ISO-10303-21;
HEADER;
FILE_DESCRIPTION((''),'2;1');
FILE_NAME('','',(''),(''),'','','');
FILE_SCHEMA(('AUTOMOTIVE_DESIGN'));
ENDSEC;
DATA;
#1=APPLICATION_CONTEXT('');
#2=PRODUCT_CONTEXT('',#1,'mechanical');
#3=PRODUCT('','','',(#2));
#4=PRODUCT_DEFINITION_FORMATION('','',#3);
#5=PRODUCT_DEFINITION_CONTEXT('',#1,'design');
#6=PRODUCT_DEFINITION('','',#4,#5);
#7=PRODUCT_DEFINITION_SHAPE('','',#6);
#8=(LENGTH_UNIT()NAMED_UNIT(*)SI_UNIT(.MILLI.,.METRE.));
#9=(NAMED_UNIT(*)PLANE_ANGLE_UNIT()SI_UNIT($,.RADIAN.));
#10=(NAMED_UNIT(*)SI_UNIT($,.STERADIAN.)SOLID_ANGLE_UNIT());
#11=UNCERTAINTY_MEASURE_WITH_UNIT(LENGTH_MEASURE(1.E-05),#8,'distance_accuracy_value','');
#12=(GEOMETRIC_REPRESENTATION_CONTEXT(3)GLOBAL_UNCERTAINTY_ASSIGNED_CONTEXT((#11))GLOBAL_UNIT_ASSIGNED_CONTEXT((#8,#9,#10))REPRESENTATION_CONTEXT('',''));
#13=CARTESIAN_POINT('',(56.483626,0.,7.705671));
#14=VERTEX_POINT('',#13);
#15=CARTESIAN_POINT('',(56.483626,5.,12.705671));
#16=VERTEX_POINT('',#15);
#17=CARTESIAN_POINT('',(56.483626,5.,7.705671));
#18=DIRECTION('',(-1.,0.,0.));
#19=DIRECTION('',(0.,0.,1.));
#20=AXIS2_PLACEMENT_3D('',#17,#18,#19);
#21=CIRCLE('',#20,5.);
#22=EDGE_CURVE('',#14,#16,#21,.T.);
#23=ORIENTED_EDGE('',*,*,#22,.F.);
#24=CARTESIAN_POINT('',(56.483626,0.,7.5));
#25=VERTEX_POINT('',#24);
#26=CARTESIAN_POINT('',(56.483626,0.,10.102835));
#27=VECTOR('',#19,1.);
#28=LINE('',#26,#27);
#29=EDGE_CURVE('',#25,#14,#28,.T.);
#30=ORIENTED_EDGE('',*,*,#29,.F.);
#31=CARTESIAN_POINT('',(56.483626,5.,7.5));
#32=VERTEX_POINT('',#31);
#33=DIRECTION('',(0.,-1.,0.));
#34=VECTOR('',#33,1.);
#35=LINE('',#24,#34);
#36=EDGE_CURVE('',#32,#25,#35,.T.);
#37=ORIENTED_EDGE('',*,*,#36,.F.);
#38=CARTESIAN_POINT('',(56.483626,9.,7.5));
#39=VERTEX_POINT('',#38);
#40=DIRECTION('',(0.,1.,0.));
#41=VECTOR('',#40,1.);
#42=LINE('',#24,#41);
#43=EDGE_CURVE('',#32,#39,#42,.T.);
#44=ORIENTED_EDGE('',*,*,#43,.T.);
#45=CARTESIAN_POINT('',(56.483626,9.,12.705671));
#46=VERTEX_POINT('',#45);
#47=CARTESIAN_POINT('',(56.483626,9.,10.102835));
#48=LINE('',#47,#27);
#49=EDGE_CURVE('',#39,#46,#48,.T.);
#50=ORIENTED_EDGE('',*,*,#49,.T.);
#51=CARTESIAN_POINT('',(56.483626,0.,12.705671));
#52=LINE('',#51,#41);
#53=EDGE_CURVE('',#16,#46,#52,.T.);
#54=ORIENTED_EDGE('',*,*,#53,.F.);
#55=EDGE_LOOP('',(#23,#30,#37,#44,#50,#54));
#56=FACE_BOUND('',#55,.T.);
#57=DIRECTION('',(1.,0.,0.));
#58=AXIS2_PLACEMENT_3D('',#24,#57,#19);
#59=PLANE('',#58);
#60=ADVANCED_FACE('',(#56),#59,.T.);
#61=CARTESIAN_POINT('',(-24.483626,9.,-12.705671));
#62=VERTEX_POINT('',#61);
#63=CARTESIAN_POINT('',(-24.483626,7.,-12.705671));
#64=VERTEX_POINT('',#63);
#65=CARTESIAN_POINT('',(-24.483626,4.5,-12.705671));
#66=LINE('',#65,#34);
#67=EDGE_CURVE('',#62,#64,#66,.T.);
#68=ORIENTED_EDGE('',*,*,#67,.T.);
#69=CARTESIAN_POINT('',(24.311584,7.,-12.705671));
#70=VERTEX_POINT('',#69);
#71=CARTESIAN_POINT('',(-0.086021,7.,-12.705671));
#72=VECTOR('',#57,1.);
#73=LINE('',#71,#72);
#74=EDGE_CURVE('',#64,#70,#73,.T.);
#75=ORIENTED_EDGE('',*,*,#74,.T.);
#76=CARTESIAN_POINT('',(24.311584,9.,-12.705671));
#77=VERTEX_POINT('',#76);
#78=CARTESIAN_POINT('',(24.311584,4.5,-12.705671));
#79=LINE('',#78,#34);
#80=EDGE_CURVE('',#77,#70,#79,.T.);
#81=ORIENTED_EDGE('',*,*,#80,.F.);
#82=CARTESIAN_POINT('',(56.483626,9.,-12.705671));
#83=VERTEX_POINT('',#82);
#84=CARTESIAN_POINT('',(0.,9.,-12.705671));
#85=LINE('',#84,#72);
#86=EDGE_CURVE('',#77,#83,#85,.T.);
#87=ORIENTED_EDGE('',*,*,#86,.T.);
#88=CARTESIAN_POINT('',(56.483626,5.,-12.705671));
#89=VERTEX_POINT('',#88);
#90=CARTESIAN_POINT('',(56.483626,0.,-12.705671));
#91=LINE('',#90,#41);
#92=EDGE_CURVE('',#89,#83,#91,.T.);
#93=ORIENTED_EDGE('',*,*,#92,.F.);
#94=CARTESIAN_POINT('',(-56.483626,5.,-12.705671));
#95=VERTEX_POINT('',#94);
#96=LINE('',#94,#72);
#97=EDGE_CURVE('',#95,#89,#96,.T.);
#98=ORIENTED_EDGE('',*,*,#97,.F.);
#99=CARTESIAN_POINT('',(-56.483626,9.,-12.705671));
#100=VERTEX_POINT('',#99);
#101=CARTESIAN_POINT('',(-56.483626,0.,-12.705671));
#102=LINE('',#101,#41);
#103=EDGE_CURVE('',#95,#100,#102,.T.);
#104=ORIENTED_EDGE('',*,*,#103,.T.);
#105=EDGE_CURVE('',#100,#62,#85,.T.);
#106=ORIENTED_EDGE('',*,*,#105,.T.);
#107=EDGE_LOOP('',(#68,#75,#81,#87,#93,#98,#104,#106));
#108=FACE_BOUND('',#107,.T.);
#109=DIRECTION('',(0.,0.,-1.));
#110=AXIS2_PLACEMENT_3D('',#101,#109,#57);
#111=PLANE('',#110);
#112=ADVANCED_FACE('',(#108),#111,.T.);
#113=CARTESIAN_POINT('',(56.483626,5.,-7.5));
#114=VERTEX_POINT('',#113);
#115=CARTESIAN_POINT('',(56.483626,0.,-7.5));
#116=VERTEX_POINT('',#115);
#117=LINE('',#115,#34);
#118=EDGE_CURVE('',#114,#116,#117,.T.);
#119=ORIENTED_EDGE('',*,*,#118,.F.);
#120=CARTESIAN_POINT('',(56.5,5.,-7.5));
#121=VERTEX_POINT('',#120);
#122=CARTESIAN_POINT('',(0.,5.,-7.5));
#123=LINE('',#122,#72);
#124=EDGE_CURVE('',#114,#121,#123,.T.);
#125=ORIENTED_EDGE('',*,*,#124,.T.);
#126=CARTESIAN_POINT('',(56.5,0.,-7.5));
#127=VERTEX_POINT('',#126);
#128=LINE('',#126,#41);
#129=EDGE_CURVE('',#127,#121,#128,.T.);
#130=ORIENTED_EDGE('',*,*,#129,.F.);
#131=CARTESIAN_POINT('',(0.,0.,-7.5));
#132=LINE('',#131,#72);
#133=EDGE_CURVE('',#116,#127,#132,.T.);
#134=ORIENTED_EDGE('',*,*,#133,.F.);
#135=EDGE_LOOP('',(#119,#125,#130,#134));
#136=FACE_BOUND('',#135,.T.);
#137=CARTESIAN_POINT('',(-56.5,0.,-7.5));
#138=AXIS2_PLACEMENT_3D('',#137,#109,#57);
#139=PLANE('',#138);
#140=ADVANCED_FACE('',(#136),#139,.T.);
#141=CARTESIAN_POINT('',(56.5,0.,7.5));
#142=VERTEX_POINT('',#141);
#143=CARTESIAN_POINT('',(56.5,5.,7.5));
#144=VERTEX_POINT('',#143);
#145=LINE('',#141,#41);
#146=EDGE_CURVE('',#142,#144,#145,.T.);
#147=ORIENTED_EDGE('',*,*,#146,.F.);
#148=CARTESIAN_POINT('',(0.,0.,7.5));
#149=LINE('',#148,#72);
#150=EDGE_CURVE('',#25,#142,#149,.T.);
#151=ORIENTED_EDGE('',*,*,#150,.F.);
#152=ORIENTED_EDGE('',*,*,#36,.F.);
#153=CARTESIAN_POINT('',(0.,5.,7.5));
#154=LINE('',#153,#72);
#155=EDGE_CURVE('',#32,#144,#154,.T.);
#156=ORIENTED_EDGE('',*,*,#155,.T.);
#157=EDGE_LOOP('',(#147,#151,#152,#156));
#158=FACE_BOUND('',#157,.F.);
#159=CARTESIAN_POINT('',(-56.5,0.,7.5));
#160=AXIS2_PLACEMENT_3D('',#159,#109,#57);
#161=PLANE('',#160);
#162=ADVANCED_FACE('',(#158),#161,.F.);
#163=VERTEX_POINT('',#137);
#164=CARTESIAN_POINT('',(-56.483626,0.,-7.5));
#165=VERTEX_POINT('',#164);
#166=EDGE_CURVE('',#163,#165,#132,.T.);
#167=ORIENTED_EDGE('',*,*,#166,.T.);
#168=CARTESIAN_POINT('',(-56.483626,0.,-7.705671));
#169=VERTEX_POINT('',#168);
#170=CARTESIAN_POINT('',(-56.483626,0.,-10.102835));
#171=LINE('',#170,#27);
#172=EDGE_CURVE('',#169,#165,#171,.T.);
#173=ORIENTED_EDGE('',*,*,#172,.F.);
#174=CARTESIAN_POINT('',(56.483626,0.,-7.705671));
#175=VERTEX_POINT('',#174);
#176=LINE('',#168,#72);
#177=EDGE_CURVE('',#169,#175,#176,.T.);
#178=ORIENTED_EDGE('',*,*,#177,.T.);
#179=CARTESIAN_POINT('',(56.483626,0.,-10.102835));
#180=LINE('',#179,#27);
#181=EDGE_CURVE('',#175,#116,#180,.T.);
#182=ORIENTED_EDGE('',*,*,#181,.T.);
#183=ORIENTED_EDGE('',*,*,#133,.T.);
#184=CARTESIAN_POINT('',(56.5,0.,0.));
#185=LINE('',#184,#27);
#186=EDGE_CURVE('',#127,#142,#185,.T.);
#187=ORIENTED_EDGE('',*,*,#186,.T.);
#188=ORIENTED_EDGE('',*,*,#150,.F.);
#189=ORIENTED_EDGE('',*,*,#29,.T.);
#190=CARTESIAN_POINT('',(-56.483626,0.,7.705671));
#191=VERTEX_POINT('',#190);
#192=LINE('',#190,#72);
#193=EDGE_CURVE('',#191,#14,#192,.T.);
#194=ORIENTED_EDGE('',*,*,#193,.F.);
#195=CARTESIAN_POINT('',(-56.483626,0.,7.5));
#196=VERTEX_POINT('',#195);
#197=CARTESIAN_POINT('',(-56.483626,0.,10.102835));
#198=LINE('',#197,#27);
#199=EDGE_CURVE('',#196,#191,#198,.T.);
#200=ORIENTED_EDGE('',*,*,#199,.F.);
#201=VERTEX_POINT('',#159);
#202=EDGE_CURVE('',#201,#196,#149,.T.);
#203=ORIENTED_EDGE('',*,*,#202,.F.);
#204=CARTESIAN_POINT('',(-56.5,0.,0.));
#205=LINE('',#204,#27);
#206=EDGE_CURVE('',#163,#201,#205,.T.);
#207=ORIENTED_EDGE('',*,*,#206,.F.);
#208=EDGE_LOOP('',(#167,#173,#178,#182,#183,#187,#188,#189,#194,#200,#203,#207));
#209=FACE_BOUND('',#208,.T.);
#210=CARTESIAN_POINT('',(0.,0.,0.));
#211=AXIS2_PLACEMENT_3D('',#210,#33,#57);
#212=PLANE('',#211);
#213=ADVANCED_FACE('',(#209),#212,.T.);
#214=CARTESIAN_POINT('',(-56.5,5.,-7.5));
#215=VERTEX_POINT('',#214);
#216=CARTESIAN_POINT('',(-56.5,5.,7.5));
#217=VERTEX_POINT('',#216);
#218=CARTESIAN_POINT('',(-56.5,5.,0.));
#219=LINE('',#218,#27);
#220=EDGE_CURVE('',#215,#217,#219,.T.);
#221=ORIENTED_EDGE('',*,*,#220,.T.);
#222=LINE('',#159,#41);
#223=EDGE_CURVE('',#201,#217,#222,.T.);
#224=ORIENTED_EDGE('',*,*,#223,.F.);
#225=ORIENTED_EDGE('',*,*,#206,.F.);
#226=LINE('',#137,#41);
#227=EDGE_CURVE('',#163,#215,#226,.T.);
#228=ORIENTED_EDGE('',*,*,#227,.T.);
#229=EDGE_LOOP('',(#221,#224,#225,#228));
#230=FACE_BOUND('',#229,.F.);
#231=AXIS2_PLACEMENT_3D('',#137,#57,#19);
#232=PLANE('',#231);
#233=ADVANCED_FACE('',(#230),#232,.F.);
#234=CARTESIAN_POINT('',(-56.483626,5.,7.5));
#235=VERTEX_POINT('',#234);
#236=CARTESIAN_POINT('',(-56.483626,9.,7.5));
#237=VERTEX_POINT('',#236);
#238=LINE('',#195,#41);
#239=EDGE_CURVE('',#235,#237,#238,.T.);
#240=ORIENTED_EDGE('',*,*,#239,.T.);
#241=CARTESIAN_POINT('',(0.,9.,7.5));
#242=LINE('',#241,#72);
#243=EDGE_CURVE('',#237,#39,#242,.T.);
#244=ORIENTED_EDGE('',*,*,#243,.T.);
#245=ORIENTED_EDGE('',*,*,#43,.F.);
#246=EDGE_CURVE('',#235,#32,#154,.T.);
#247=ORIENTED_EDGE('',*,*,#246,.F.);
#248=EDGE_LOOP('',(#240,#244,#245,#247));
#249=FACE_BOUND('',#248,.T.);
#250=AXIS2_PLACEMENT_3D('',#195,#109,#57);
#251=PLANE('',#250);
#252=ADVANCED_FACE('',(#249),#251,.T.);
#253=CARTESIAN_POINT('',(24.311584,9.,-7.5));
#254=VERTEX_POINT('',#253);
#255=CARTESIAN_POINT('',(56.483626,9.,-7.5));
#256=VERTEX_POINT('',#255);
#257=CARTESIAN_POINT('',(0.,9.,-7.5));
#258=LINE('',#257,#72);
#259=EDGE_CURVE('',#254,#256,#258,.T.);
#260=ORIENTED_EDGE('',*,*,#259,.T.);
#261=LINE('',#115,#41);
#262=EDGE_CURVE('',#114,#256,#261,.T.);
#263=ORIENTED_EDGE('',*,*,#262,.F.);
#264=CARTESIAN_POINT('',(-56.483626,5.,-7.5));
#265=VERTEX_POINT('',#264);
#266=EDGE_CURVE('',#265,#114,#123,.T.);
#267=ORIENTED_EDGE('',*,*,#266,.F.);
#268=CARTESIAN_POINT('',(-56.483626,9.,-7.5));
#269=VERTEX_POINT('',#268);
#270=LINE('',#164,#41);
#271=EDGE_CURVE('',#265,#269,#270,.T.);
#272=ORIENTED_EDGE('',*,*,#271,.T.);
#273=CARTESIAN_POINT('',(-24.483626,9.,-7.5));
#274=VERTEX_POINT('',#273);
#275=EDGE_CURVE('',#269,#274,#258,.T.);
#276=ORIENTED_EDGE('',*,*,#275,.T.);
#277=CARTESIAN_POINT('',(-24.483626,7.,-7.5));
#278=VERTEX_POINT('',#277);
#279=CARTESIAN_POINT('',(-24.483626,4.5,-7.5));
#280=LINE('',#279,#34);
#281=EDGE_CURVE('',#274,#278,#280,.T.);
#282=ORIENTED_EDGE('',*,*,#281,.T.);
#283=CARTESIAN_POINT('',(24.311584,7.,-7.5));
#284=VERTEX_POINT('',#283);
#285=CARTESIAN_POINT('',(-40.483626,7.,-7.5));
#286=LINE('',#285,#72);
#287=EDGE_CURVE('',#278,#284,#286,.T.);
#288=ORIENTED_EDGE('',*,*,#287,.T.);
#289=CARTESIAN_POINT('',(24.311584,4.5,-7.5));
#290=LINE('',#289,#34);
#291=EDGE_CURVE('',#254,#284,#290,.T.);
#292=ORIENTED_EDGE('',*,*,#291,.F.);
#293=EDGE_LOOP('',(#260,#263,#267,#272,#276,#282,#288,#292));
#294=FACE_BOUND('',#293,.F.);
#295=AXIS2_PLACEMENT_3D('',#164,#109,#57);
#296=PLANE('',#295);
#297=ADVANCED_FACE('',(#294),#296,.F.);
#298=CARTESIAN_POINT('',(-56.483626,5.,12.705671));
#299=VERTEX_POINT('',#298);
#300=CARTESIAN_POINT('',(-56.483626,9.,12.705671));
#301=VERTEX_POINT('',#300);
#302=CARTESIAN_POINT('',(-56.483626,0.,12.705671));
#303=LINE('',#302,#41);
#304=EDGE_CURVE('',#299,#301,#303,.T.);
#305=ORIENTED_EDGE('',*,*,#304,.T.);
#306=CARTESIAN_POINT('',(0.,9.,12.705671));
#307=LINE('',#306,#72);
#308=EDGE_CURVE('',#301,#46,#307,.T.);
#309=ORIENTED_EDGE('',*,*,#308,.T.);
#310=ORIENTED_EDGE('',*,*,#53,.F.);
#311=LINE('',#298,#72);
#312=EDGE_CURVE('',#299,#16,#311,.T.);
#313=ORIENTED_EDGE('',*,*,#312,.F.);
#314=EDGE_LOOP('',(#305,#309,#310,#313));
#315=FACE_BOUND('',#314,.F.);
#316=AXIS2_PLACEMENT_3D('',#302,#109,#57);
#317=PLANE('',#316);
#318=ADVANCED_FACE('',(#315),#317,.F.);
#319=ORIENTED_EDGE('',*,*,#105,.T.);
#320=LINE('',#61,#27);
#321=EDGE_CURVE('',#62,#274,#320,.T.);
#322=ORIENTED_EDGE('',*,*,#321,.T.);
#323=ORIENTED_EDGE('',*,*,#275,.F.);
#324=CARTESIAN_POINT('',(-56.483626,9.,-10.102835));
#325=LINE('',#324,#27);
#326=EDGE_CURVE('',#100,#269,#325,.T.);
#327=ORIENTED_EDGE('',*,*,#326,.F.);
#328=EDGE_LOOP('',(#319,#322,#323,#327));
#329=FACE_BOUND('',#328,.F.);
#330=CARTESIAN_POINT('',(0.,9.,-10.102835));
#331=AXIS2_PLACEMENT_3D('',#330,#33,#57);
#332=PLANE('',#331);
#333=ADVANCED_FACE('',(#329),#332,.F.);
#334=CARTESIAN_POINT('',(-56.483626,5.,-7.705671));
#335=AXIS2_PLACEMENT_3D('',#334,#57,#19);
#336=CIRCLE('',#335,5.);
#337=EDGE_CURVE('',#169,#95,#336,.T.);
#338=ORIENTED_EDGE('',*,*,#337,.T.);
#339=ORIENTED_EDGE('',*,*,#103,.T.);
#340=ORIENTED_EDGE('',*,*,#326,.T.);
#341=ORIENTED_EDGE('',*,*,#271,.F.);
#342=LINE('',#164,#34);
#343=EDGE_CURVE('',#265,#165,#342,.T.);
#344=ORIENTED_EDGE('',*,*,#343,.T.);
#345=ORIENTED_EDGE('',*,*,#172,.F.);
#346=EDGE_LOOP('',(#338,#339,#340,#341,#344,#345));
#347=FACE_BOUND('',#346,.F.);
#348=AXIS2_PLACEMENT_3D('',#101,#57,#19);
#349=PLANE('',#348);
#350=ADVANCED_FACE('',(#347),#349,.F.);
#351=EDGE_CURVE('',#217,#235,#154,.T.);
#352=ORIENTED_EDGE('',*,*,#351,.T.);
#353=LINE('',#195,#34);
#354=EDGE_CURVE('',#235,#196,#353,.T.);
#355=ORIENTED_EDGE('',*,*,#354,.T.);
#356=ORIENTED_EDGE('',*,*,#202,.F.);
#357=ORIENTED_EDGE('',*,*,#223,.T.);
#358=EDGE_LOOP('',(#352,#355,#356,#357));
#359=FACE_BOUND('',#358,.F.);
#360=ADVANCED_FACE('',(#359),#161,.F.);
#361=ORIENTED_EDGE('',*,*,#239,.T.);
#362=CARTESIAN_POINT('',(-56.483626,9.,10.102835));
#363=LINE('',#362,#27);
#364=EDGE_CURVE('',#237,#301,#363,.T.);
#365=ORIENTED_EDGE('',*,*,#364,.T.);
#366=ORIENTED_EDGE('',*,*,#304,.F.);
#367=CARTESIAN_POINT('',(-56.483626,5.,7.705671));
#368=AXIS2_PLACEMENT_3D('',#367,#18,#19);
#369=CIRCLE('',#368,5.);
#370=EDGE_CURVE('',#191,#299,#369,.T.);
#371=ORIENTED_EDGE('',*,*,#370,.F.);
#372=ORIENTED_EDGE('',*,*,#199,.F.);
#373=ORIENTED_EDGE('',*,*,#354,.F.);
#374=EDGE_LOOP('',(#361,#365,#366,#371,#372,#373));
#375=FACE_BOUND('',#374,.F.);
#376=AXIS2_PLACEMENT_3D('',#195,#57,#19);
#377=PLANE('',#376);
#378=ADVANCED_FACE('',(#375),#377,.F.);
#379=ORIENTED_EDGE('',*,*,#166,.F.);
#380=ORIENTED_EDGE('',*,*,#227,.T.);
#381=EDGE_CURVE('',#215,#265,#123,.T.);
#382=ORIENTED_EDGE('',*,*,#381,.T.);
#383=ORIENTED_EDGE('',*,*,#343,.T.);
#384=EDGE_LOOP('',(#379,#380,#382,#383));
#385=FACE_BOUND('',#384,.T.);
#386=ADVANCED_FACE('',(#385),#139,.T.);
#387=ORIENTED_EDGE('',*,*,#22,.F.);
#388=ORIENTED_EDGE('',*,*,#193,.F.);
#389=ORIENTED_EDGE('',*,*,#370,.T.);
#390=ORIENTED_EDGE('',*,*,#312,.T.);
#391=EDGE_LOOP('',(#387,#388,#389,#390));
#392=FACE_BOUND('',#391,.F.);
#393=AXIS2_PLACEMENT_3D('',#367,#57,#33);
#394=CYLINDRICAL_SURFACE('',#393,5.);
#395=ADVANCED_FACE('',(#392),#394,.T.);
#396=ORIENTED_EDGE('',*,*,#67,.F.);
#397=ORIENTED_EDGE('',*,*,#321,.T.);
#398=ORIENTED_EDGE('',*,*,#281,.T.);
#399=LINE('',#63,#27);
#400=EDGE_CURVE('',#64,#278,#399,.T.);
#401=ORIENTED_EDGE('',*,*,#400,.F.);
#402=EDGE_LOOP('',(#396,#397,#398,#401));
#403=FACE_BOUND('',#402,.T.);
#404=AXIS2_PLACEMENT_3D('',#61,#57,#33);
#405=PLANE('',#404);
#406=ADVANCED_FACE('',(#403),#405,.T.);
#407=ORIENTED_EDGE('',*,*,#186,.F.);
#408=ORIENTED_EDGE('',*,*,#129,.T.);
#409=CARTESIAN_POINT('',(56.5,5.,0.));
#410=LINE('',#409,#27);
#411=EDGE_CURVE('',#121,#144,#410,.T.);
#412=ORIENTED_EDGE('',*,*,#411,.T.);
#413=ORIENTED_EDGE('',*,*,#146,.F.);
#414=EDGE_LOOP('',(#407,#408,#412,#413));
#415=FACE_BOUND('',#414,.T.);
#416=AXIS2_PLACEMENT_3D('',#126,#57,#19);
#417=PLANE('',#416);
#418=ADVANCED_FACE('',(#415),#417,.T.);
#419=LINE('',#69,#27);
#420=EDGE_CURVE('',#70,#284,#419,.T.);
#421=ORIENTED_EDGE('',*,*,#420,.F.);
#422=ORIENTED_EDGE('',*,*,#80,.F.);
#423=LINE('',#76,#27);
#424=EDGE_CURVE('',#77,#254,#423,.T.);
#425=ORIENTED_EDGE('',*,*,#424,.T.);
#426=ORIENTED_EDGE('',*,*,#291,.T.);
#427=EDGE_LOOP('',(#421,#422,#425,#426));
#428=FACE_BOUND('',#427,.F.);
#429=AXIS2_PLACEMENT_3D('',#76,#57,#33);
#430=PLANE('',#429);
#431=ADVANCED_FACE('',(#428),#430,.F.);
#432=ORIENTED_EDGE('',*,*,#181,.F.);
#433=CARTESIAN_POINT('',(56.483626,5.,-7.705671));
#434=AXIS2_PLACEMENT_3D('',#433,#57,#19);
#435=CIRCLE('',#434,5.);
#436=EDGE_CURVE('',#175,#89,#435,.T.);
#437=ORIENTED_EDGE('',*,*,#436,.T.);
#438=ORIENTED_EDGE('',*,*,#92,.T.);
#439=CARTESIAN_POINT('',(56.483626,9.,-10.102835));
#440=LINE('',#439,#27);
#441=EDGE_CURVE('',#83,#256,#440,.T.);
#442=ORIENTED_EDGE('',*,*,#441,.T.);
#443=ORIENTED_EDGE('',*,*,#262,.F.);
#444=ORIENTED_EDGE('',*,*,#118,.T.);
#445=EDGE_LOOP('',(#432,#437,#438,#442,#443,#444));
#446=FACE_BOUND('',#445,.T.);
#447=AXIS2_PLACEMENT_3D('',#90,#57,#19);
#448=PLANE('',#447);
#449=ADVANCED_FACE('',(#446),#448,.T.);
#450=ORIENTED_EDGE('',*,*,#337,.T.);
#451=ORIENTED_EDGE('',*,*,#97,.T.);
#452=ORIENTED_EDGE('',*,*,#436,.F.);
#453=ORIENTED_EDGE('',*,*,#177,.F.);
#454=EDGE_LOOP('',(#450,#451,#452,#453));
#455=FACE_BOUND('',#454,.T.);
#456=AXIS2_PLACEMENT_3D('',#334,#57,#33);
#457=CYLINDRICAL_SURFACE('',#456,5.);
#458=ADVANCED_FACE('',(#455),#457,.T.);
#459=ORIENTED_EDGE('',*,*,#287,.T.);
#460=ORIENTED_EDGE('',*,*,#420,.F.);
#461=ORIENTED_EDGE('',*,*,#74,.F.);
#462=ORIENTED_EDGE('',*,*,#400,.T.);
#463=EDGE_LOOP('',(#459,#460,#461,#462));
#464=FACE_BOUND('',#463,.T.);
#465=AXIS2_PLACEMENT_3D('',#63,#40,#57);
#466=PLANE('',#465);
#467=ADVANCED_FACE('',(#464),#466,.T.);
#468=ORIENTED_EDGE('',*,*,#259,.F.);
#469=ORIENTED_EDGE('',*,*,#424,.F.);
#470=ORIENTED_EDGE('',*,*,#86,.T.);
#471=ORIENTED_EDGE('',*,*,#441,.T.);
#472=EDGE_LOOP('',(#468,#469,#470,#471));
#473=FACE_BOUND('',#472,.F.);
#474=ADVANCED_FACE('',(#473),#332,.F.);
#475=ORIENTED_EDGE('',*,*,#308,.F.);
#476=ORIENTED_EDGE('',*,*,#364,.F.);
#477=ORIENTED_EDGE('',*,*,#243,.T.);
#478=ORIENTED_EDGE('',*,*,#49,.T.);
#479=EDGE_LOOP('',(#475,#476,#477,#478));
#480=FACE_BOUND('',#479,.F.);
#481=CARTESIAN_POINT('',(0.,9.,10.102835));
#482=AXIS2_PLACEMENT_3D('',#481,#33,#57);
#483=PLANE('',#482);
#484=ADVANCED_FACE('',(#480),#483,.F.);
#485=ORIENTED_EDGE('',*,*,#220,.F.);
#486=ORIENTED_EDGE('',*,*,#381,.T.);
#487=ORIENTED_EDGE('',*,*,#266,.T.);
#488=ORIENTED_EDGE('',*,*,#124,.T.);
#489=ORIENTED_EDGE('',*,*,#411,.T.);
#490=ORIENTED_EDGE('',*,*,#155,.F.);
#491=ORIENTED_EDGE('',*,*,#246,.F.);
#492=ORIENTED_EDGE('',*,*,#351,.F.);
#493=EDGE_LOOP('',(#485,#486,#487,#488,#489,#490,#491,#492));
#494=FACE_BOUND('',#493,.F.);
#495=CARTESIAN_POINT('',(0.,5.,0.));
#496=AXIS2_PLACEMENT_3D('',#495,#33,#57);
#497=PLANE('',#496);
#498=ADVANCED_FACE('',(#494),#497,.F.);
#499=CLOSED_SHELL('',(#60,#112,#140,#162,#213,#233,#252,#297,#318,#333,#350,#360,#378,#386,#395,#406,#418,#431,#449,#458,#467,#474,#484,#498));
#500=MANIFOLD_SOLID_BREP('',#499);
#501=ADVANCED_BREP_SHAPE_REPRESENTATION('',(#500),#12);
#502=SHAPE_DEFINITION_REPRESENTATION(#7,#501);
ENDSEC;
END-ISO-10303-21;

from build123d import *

# Parameters (mm, degrees)
F0_W     = 113
F0_H     = 15
F1_DEPTH = 5
F2_W     = 112.967252
F2_H     = 5.205671
F3_DEPTH = 9
F4_R     = 5
F5_W     = 48.795211
F5_H     = 2
F6_DEPTH = 10


with BuildPart() as f1:
    # F0 (on Front) → F1 (new body)
    with BuildSketch(Plane.XZ):
        Rectangle(F0_W, F0_H)
    extrude(amount=-F1_DEPTH)

    # F2 (on face) → F3 (join)
    with BuildSketch(Plane.XZ):
        with Locations((0, 10.102835)):
            Rectangle(F2_W, F2_H)
        with Locations((0, -10.102835)):
            Rectangle(F2_W, F2_H)
    extrude(amount=-F3_DEPTH)

    # F4
    f4_edges = [f1.edges().sort_by_distance(p)[0] for p in [
        (0, 0, 12.705671),
        (0, 0, -12.705671),
    ]]
    fillet(f4_edges, radius=F4_R)

    # F5 (on face) → F6 (cut)
    with BuildSketch(Plane(origin=(0, 0, -12.705671), x_dir=(1, 0, 0), z_dir=(0, 0, -1))):
        with Locations((-0.086021, -8)):
            Rectangle(F5_W, F5_H)
    extrude(amount=-F6_DEPTH, mode=Mode.SUBTRACT)


solid = f1.part
